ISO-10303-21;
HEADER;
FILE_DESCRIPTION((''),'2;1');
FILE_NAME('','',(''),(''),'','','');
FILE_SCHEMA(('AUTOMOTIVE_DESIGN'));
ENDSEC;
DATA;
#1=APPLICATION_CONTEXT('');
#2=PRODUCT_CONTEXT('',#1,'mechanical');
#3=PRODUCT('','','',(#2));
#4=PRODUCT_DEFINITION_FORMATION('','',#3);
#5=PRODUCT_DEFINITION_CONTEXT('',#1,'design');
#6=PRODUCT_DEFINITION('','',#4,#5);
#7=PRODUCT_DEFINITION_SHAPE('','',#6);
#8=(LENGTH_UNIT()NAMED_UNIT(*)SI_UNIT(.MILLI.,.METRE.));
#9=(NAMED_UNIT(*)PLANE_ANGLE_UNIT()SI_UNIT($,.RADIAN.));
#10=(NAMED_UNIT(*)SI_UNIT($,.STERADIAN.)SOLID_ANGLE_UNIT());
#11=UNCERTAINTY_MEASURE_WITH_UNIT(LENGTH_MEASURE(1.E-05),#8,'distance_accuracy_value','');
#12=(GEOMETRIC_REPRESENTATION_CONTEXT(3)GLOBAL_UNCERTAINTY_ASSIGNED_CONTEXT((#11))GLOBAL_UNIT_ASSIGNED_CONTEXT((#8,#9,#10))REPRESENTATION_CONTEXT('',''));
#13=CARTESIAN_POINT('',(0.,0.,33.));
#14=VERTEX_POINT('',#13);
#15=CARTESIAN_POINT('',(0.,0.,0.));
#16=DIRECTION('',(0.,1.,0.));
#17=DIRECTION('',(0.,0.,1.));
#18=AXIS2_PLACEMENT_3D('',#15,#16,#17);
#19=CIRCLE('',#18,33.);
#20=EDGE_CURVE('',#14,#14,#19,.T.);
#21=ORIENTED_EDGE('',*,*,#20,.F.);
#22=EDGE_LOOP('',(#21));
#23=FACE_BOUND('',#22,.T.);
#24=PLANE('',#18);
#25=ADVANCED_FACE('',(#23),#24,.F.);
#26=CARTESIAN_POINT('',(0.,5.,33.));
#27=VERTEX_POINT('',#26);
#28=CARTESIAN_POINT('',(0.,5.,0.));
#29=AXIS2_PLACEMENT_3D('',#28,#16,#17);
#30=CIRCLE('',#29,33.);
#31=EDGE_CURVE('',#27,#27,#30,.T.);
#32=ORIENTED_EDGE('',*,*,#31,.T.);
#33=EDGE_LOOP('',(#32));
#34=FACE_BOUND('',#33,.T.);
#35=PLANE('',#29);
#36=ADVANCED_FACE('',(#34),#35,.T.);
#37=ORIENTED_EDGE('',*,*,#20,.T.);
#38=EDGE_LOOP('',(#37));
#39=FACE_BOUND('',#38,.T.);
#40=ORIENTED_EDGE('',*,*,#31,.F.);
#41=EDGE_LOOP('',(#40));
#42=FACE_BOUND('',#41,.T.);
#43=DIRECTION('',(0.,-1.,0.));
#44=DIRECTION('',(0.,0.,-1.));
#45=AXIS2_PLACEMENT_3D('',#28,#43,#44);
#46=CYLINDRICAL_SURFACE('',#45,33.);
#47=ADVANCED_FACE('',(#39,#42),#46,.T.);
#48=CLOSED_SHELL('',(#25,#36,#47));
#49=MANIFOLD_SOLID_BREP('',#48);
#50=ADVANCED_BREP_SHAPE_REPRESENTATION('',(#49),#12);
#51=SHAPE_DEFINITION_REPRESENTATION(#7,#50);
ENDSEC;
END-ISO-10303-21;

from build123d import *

# Parameters (mm, degrees)
CROQUIS1_R              = 33
SALIENTE_EXTRUIR1_DEPTH = 5


with BuildPart() as part:
    # Croquis1 → Saliente-Extruir1 (new body)
    with BuildSketch(Plane(origin=(0, 0, 0), x_dir=(1, 0, 0), z_dir=(0, 1, 0))):
        with Locations(Location((0, 0, 0), (0, 0, 270))):
            Circle(CROQUIS1_R)
    extrude(amount=SALIENTE_EXTRUIR1_DEPTH)


solid = part.part
